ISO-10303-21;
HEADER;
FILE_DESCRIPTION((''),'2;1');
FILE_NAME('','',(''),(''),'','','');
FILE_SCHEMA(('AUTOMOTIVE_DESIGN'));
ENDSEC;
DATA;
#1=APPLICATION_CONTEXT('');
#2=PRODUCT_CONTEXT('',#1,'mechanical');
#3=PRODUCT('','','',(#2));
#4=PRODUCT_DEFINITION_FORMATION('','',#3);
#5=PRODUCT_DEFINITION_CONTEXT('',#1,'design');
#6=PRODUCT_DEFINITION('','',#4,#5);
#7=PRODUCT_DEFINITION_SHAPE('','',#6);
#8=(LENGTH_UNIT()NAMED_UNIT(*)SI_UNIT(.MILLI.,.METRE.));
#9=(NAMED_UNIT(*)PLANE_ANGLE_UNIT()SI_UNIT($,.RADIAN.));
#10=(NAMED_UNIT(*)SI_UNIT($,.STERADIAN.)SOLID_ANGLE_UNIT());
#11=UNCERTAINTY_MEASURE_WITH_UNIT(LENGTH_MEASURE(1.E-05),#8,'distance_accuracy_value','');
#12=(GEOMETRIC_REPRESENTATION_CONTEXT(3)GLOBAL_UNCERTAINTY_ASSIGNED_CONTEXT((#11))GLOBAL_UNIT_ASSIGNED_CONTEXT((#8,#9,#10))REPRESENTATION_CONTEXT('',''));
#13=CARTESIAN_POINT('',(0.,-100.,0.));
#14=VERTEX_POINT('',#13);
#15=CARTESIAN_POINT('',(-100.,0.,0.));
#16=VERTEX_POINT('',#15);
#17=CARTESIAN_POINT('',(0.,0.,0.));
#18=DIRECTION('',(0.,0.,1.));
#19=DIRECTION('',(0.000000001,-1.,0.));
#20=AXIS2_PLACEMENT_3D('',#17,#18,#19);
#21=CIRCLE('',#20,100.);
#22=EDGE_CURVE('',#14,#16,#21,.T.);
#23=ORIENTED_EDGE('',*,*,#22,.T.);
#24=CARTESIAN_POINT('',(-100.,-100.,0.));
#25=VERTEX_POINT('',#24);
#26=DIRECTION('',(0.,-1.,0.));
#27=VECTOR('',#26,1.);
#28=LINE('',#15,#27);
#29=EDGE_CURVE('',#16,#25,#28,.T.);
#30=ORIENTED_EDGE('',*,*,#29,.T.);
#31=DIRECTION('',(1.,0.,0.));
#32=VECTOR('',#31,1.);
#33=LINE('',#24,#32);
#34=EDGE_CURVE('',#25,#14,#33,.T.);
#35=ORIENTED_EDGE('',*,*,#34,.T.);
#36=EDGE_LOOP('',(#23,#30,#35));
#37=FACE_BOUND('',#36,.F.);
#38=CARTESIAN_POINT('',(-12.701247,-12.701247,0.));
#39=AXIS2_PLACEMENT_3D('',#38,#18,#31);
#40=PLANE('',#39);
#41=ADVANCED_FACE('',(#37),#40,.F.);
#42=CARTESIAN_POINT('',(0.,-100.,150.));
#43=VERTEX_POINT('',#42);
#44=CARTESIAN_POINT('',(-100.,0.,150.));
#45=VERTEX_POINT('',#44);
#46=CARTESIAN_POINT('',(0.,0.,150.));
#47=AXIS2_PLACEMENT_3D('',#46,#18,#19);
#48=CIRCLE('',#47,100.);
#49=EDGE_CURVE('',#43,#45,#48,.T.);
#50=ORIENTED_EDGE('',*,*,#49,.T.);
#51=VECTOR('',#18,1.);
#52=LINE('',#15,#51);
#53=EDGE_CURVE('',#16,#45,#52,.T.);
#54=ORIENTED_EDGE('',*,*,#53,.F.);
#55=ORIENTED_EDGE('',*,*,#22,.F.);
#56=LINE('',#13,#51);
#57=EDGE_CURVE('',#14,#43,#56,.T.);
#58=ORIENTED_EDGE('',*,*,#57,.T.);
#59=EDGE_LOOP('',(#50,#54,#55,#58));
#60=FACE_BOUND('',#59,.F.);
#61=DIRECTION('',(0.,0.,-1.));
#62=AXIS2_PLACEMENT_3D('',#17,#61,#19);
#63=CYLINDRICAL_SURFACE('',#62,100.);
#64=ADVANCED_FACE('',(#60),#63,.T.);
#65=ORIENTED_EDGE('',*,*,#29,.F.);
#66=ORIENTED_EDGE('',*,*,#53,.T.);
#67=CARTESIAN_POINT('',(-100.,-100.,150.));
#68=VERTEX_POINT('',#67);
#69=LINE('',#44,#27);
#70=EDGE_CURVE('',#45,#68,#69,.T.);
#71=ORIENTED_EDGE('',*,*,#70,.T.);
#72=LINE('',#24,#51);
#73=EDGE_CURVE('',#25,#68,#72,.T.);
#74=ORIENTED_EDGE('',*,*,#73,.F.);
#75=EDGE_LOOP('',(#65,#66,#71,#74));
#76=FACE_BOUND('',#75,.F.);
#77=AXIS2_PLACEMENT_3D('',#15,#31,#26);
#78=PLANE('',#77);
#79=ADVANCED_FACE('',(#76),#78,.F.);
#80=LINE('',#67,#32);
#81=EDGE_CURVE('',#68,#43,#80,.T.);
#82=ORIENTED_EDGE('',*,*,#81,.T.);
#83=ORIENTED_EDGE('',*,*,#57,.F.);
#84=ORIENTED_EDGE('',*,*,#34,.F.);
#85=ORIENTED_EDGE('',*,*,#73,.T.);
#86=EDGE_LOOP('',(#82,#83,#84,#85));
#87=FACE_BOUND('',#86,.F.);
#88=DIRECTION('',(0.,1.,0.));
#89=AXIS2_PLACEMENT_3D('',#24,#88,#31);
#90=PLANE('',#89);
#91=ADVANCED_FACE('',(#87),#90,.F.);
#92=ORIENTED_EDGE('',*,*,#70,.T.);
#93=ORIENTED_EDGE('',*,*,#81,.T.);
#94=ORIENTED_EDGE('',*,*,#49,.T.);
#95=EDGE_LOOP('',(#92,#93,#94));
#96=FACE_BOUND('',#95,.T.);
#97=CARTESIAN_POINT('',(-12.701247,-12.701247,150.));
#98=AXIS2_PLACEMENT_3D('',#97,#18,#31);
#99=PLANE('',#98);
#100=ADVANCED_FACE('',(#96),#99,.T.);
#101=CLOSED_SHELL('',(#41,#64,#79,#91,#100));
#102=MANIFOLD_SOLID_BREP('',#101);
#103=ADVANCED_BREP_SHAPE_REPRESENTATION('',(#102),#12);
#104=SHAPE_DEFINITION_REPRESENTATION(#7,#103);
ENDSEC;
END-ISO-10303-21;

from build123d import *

# Parameters (mm, degrees)
F1_DEPTH = 150


with BuildPart() as f1:
    # F0 (on Top) → F1 (new body)
    with BuildSketch(Plane.XY):
        with BuildLine():
            ThreePointArc((0, -100), (70.710678, 70.710678), (-100, 0))
            Line((-100, 0), (-100, -100))
            Line((-100, -100), (0, -100))
        make_face()
    extrude(amount=F1_DEPTH)


solid = f1.part
